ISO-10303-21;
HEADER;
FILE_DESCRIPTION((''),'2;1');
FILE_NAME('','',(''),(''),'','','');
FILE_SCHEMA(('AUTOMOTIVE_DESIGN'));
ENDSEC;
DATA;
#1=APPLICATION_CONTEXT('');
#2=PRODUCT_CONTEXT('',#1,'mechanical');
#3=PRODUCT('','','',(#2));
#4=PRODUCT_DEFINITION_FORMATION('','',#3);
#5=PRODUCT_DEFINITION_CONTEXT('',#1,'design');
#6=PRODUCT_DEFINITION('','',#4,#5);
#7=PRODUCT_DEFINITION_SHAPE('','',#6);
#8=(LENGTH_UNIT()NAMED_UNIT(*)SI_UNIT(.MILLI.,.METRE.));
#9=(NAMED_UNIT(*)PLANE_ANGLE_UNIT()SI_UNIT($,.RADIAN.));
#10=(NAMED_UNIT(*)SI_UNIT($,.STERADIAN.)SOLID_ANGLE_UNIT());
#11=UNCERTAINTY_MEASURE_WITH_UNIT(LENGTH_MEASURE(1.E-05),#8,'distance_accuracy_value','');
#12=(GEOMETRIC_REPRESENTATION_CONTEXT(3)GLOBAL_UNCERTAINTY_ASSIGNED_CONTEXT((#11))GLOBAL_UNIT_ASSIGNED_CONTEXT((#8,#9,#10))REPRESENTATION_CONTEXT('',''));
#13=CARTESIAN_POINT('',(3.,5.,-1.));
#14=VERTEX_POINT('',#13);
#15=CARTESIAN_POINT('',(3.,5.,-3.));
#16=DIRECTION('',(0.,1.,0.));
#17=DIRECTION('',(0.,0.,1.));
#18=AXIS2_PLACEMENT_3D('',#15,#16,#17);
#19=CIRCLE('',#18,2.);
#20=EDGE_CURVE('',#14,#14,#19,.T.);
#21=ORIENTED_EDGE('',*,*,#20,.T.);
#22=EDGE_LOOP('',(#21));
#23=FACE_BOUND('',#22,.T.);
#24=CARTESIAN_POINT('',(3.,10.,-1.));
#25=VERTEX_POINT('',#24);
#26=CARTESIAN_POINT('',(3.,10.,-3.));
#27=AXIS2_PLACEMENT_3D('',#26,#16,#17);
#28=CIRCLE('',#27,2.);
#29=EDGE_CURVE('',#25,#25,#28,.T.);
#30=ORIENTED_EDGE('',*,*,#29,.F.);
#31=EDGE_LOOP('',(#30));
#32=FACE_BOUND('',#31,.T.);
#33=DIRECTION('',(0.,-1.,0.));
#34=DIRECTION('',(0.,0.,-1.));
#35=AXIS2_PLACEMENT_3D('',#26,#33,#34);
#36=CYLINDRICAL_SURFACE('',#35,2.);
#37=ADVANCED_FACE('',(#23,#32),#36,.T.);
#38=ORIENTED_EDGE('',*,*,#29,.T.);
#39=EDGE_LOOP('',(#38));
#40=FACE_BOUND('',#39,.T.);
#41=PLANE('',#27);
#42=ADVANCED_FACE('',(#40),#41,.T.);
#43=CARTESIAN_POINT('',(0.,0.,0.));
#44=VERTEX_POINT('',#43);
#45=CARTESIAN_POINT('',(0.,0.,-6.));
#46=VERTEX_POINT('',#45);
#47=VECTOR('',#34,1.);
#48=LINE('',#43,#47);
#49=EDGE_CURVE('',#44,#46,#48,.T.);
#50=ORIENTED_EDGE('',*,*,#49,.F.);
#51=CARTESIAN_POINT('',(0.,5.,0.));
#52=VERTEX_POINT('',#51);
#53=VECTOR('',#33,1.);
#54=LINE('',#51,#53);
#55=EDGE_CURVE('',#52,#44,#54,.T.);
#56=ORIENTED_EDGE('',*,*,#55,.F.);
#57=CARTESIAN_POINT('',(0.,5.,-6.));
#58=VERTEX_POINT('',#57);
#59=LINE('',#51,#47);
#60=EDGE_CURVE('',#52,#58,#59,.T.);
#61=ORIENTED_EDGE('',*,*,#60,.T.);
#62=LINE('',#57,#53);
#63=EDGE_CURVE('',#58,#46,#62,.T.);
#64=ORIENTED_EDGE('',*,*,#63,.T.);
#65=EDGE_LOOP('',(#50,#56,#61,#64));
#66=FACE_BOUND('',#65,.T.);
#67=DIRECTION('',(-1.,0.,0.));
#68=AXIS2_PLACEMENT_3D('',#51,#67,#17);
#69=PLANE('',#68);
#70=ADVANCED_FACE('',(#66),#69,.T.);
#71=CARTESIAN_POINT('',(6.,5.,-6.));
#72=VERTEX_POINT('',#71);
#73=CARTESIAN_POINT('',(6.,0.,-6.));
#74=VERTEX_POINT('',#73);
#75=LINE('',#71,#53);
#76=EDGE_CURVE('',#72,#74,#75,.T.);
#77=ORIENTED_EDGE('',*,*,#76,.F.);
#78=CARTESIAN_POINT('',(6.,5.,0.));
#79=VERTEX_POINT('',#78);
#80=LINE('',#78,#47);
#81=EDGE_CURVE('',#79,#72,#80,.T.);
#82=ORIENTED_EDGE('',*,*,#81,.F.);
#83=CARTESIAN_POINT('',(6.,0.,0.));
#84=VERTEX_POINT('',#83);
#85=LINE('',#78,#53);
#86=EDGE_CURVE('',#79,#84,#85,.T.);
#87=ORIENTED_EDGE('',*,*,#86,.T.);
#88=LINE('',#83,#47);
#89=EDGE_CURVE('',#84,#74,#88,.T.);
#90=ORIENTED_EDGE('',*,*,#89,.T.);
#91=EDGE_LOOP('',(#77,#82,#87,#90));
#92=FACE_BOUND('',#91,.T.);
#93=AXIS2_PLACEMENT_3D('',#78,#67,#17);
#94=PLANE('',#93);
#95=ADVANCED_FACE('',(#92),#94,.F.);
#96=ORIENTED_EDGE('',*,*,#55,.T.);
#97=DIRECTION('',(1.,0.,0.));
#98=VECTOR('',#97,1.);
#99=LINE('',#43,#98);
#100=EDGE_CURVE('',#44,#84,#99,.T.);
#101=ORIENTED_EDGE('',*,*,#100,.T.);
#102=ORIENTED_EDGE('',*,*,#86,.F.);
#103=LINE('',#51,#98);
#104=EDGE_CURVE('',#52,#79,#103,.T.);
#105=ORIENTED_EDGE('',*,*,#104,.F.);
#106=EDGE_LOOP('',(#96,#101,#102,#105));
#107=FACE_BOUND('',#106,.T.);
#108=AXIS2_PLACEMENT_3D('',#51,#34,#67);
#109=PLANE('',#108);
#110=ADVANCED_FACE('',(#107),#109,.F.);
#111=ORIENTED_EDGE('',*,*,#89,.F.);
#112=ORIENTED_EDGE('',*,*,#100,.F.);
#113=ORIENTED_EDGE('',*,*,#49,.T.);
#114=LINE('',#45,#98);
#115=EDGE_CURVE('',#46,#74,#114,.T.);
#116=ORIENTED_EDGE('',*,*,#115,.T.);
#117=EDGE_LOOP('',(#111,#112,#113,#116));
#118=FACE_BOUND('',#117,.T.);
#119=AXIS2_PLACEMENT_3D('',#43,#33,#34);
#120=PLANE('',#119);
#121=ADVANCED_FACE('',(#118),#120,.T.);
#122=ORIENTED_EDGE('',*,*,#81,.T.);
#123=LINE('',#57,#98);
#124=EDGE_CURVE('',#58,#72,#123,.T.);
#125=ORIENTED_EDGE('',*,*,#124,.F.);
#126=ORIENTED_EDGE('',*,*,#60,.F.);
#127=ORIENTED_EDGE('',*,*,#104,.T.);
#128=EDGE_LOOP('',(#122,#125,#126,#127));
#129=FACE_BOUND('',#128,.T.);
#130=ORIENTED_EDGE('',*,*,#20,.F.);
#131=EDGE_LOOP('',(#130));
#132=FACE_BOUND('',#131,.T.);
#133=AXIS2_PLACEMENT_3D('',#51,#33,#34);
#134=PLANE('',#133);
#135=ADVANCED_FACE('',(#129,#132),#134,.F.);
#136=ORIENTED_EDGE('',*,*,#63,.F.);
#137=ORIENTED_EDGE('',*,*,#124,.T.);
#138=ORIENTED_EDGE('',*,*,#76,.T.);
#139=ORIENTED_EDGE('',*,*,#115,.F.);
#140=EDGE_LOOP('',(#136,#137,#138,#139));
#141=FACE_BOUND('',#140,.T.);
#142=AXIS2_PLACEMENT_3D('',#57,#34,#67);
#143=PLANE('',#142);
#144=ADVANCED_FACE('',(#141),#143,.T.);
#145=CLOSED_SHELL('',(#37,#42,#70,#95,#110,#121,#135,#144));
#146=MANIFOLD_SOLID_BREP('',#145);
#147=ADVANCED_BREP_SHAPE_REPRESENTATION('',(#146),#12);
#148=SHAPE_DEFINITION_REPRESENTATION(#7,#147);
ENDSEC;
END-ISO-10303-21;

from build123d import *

# Parameters (mm, degrees)
SKETCH1_W           = 6
SKETCH1_H           = 6
BOSS_EXTRUDE1_DEPTH = 5
SKETCH2_R           = 2
BOSS_EXTRUDE2_DEPTH = 5


with BuildPart() as part:
    # Sketch1 → Boss-Extrude1 (new body)
    with BuildSketch(Plane(origin=(0, 0, 0), x_dir=(1, 0, 0), z_dir=(0, 1, 0))):
        with Locations((3, 3)):
            Rectangle(SKETCH1_W, SKETCH1_H)
    extrude(amount=BOSS_EXTRUDE1_DEPTH)

    # Sketch2 → Boss-Extrude2 (add)
    with BuildSketch(Plane(origin=(0, 5, 0), x_dir=(1, 0, 0), z_dir=(0, 1, 0))):
        with Locations((3, 3)):
            Circle(SKETCH2_R)
    extrude(amount=BOSS_EXTRUDE2_DEPTH)


solid = part.part
